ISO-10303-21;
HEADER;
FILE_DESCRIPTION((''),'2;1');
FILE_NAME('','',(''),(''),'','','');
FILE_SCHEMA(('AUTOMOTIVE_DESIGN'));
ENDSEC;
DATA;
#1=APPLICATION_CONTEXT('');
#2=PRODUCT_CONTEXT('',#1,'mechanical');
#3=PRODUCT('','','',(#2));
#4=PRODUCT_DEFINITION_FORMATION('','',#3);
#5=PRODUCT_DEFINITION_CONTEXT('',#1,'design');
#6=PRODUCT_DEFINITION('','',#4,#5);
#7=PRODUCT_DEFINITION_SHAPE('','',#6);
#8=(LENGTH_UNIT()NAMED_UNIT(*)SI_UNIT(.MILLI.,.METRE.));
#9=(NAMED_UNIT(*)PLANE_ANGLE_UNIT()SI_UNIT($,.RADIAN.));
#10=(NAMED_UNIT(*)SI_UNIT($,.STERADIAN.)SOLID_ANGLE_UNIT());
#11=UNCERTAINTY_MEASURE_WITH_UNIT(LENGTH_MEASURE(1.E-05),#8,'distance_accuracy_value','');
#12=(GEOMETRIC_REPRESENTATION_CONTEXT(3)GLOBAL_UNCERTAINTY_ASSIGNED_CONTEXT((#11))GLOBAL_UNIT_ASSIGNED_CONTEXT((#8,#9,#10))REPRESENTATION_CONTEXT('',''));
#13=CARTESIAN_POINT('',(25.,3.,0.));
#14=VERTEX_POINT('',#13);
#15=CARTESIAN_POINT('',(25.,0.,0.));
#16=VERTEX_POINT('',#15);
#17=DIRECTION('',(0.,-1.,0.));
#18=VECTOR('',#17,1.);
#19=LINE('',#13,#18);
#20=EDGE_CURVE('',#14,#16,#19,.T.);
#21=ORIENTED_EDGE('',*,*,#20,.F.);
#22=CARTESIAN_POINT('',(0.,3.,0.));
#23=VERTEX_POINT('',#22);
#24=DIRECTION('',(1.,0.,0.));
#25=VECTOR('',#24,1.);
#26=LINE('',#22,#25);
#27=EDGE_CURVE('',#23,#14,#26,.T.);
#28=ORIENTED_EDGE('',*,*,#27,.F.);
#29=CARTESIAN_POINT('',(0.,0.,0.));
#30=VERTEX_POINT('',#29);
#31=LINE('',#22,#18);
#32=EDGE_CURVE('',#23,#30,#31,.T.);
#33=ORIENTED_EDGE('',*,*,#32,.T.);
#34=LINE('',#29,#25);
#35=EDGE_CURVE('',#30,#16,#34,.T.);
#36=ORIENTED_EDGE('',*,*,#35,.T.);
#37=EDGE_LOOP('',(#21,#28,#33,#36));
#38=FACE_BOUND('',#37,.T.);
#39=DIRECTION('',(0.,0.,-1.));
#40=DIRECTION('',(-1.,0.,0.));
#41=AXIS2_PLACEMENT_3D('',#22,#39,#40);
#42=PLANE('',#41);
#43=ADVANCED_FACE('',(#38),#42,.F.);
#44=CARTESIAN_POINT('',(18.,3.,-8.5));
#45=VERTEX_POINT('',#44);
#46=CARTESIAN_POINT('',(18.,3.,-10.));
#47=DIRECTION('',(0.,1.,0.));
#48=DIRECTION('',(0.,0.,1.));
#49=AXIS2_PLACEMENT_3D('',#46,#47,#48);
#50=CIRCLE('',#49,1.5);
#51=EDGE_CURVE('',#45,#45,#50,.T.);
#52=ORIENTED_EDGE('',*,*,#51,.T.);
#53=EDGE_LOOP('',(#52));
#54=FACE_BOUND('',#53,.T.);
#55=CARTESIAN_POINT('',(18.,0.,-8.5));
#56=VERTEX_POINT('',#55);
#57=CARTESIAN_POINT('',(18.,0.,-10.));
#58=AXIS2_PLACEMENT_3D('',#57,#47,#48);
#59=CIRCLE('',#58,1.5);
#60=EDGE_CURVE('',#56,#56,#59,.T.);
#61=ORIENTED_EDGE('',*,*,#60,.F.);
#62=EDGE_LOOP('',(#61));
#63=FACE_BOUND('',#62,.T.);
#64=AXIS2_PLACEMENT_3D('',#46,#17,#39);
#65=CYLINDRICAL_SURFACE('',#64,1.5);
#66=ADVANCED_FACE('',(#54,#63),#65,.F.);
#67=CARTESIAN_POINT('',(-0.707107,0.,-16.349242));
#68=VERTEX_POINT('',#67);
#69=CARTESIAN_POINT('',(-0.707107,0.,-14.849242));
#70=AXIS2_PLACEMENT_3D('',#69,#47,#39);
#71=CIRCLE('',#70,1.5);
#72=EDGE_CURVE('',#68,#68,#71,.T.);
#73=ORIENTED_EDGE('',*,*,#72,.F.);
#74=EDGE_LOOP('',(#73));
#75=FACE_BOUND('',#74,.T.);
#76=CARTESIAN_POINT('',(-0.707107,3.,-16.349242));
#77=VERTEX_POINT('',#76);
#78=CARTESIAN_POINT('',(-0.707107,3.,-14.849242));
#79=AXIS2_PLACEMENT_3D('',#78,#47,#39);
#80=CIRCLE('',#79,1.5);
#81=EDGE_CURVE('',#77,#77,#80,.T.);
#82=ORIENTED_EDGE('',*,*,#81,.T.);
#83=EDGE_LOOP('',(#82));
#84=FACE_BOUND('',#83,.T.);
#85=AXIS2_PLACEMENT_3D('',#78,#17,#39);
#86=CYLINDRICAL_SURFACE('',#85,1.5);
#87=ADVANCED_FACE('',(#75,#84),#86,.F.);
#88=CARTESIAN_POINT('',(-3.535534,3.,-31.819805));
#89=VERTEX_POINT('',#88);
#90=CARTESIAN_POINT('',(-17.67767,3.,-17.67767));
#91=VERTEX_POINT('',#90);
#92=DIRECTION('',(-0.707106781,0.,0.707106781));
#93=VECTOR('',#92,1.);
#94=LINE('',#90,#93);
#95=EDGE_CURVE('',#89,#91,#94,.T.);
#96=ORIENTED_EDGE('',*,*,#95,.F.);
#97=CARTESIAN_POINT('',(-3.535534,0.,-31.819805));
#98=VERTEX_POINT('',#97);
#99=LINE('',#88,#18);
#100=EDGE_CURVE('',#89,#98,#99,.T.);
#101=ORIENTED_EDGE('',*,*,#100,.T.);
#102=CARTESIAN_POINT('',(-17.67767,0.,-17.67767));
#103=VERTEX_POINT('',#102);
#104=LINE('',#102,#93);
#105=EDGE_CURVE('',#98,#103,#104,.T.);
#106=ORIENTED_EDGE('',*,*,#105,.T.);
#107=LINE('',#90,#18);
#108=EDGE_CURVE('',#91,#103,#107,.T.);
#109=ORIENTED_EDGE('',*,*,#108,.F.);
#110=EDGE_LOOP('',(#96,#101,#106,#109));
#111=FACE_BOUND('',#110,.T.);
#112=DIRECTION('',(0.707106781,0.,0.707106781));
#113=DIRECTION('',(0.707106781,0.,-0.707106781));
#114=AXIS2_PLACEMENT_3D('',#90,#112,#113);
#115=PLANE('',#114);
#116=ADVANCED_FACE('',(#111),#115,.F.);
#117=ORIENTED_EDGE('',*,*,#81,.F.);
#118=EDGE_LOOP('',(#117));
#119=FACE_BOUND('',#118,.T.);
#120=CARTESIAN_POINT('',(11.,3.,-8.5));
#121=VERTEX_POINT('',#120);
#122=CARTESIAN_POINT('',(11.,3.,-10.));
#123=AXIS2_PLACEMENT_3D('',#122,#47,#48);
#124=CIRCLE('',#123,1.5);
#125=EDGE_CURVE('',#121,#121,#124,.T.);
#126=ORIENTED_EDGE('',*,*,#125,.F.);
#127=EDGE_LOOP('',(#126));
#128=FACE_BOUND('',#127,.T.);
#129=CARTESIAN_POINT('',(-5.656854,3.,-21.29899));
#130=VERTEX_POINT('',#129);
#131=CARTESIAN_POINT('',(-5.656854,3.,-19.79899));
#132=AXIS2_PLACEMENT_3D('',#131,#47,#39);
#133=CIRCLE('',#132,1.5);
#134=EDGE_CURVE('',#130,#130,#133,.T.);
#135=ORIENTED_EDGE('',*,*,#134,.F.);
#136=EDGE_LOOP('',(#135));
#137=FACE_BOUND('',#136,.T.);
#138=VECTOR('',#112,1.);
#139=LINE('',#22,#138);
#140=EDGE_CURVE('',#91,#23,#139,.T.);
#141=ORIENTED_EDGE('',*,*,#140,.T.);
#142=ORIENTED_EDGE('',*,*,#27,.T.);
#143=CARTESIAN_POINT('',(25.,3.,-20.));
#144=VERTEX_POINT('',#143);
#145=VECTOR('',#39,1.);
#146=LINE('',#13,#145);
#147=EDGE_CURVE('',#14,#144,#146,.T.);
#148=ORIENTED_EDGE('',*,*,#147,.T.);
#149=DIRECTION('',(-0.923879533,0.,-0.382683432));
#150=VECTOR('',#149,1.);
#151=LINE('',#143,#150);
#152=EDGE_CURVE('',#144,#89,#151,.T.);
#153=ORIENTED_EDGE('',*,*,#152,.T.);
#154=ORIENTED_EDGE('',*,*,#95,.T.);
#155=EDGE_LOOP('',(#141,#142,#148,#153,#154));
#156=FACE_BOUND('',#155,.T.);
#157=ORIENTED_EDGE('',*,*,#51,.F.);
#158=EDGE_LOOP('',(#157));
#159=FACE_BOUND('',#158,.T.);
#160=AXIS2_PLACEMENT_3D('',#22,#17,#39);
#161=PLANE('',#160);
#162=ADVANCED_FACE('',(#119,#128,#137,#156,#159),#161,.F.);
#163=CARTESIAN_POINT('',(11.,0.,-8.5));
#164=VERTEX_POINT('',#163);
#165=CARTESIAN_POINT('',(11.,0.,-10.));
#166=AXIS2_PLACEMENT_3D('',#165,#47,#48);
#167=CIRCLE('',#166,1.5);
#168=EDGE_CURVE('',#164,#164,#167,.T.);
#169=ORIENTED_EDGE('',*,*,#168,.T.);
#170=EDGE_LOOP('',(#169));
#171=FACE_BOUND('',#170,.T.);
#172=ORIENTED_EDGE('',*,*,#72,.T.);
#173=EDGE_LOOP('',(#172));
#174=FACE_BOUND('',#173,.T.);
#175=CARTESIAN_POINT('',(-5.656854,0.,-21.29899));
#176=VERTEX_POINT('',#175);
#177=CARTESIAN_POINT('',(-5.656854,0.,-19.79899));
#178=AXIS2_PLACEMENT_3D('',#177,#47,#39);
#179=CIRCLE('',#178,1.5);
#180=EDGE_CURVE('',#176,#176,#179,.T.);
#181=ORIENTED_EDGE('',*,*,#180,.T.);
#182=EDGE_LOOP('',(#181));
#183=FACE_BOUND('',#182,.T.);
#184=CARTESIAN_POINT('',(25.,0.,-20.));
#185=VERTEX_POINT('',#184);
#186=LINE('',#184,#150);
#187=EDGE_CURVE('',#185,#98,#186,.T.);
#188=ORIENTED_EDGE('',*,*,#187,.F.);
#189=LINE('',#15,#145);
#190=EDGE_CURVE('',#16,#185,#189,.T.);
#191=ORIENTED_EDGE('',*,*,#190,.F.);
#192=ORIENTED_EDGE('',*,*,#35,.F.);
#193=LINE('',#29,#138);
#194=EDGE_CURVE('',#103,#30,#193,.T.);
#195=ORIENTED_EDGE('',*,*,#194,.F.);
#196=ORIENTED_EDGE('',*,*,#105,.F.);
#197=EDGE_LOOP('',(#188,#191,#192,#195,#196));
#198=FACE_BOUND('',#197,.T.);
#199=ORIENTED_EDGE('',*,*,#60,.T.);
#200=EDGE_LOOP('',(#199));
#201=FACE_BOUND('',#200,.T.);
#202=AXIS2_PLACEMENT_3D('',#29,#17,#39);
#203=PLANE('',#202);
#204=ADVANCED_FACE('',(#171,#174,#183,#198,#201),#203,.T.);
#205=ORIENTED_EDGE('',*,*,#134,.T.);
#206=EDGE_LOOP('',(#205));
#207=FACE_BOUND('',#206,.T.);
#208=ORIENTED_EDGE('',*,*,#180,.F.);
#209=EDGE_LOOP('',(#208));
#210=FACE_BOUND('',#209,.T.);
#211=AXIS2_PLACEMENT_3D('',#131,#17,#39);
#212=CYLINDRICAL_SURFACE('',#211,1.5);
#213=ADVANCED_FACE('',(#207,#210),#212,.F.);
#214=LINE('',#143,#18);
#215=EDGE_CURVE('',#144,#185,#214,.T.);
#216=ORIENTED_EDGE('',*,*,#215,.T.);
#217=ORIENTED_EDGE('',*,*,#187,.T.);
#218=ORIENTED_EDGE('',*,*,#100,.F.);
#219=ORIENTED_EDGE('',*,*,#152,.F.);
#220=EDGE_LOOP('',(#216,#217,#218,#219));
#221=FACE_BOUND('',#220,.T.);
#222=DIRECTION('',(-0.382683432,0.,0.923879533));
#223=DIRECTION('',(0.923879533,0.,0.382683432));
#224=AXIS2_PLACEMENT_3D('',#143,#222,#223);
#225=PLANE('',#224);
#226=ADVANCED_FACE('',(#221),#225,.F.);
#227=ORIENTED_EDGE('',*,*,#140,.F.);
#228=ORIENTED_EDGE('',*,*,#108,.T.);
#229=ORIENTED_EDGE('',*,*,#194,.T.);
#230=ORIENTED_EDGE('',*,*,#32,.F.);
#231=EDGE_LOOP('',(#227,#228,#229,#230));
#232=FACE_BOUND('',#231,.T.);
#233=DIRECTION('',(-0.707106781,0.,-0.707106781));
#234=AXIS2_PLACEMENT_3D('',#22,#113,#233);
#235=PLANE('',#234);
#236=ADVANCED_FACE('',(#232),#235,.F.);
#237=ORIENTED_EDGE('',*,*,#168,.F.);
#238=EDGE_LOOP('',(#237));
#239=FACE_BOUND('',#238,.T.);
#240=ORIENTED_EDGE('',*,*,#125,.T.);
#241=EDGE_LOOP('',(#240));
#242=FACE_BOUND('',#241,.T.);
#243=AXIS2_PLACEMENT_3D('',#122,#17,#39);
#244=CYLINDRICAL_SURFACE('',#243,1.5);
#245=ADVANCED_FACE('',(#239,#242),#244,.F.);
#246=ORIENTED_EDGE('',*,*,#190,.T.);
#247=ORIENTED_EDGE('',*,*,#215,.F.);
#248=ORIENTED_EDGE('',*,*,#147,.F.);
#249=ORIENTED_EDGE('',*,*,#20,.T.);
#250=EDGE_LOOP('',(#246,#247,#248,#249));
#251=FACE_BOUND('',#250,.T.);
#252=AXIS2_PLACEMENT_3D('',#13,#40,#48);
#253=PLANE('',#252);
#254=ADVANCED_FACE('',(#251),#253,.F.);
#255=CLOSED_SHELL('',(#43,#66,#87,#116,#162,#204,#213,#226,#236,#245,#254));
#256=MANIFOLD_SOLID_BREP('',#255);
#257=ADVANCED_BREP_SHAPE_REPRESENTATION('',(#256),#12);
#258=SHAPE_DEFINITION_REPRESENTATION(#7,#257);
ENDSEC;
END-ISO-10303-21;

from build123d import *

# Parameters (mm, degrees)
SKETCH1_R           = 1.5
BOSS_EXTRUDE1_DEPTH = 3


with BuildPart() as part:
    # Sketch1 → Boss-Extrude1 (new body)
    with BuildSketch(Plane(origin=(0, 0, 0), x_dir=(1, 0, 0), z_dir=(0, 1, 0))):
        Polygon((0, 0), (25, 0), (25, 20), (-3.535533906, 31.819805153), (-17.67766953, 17.67766953), align=None)
        with Locations(Location((18, 10, 0), (0, 0, 270))):
            Circle(SKETCH1_R, mode=Mode.SUBTRACT)
        with Locations(Location((11, 10, 0), (0, 0, 270))):
            Circle(SKETCH1_R, mode=Mode.SUBTRACT)
        with Locations(Location((-5.656854249, 19.798989873, 0), (0, 0, 90))):
            Circle(SKETCH1_R, mode=Mode.SUBTRACT)
        with Locations(Location((-0.707106781, 14.849242405, 0), (0, 0, 90))):
            Circle(SKETCH1_R, mode=Mode.SUBTRACT)
    extrude(amount=BOSS_EXTRUDE1_DEPTH)


solid = part.part
